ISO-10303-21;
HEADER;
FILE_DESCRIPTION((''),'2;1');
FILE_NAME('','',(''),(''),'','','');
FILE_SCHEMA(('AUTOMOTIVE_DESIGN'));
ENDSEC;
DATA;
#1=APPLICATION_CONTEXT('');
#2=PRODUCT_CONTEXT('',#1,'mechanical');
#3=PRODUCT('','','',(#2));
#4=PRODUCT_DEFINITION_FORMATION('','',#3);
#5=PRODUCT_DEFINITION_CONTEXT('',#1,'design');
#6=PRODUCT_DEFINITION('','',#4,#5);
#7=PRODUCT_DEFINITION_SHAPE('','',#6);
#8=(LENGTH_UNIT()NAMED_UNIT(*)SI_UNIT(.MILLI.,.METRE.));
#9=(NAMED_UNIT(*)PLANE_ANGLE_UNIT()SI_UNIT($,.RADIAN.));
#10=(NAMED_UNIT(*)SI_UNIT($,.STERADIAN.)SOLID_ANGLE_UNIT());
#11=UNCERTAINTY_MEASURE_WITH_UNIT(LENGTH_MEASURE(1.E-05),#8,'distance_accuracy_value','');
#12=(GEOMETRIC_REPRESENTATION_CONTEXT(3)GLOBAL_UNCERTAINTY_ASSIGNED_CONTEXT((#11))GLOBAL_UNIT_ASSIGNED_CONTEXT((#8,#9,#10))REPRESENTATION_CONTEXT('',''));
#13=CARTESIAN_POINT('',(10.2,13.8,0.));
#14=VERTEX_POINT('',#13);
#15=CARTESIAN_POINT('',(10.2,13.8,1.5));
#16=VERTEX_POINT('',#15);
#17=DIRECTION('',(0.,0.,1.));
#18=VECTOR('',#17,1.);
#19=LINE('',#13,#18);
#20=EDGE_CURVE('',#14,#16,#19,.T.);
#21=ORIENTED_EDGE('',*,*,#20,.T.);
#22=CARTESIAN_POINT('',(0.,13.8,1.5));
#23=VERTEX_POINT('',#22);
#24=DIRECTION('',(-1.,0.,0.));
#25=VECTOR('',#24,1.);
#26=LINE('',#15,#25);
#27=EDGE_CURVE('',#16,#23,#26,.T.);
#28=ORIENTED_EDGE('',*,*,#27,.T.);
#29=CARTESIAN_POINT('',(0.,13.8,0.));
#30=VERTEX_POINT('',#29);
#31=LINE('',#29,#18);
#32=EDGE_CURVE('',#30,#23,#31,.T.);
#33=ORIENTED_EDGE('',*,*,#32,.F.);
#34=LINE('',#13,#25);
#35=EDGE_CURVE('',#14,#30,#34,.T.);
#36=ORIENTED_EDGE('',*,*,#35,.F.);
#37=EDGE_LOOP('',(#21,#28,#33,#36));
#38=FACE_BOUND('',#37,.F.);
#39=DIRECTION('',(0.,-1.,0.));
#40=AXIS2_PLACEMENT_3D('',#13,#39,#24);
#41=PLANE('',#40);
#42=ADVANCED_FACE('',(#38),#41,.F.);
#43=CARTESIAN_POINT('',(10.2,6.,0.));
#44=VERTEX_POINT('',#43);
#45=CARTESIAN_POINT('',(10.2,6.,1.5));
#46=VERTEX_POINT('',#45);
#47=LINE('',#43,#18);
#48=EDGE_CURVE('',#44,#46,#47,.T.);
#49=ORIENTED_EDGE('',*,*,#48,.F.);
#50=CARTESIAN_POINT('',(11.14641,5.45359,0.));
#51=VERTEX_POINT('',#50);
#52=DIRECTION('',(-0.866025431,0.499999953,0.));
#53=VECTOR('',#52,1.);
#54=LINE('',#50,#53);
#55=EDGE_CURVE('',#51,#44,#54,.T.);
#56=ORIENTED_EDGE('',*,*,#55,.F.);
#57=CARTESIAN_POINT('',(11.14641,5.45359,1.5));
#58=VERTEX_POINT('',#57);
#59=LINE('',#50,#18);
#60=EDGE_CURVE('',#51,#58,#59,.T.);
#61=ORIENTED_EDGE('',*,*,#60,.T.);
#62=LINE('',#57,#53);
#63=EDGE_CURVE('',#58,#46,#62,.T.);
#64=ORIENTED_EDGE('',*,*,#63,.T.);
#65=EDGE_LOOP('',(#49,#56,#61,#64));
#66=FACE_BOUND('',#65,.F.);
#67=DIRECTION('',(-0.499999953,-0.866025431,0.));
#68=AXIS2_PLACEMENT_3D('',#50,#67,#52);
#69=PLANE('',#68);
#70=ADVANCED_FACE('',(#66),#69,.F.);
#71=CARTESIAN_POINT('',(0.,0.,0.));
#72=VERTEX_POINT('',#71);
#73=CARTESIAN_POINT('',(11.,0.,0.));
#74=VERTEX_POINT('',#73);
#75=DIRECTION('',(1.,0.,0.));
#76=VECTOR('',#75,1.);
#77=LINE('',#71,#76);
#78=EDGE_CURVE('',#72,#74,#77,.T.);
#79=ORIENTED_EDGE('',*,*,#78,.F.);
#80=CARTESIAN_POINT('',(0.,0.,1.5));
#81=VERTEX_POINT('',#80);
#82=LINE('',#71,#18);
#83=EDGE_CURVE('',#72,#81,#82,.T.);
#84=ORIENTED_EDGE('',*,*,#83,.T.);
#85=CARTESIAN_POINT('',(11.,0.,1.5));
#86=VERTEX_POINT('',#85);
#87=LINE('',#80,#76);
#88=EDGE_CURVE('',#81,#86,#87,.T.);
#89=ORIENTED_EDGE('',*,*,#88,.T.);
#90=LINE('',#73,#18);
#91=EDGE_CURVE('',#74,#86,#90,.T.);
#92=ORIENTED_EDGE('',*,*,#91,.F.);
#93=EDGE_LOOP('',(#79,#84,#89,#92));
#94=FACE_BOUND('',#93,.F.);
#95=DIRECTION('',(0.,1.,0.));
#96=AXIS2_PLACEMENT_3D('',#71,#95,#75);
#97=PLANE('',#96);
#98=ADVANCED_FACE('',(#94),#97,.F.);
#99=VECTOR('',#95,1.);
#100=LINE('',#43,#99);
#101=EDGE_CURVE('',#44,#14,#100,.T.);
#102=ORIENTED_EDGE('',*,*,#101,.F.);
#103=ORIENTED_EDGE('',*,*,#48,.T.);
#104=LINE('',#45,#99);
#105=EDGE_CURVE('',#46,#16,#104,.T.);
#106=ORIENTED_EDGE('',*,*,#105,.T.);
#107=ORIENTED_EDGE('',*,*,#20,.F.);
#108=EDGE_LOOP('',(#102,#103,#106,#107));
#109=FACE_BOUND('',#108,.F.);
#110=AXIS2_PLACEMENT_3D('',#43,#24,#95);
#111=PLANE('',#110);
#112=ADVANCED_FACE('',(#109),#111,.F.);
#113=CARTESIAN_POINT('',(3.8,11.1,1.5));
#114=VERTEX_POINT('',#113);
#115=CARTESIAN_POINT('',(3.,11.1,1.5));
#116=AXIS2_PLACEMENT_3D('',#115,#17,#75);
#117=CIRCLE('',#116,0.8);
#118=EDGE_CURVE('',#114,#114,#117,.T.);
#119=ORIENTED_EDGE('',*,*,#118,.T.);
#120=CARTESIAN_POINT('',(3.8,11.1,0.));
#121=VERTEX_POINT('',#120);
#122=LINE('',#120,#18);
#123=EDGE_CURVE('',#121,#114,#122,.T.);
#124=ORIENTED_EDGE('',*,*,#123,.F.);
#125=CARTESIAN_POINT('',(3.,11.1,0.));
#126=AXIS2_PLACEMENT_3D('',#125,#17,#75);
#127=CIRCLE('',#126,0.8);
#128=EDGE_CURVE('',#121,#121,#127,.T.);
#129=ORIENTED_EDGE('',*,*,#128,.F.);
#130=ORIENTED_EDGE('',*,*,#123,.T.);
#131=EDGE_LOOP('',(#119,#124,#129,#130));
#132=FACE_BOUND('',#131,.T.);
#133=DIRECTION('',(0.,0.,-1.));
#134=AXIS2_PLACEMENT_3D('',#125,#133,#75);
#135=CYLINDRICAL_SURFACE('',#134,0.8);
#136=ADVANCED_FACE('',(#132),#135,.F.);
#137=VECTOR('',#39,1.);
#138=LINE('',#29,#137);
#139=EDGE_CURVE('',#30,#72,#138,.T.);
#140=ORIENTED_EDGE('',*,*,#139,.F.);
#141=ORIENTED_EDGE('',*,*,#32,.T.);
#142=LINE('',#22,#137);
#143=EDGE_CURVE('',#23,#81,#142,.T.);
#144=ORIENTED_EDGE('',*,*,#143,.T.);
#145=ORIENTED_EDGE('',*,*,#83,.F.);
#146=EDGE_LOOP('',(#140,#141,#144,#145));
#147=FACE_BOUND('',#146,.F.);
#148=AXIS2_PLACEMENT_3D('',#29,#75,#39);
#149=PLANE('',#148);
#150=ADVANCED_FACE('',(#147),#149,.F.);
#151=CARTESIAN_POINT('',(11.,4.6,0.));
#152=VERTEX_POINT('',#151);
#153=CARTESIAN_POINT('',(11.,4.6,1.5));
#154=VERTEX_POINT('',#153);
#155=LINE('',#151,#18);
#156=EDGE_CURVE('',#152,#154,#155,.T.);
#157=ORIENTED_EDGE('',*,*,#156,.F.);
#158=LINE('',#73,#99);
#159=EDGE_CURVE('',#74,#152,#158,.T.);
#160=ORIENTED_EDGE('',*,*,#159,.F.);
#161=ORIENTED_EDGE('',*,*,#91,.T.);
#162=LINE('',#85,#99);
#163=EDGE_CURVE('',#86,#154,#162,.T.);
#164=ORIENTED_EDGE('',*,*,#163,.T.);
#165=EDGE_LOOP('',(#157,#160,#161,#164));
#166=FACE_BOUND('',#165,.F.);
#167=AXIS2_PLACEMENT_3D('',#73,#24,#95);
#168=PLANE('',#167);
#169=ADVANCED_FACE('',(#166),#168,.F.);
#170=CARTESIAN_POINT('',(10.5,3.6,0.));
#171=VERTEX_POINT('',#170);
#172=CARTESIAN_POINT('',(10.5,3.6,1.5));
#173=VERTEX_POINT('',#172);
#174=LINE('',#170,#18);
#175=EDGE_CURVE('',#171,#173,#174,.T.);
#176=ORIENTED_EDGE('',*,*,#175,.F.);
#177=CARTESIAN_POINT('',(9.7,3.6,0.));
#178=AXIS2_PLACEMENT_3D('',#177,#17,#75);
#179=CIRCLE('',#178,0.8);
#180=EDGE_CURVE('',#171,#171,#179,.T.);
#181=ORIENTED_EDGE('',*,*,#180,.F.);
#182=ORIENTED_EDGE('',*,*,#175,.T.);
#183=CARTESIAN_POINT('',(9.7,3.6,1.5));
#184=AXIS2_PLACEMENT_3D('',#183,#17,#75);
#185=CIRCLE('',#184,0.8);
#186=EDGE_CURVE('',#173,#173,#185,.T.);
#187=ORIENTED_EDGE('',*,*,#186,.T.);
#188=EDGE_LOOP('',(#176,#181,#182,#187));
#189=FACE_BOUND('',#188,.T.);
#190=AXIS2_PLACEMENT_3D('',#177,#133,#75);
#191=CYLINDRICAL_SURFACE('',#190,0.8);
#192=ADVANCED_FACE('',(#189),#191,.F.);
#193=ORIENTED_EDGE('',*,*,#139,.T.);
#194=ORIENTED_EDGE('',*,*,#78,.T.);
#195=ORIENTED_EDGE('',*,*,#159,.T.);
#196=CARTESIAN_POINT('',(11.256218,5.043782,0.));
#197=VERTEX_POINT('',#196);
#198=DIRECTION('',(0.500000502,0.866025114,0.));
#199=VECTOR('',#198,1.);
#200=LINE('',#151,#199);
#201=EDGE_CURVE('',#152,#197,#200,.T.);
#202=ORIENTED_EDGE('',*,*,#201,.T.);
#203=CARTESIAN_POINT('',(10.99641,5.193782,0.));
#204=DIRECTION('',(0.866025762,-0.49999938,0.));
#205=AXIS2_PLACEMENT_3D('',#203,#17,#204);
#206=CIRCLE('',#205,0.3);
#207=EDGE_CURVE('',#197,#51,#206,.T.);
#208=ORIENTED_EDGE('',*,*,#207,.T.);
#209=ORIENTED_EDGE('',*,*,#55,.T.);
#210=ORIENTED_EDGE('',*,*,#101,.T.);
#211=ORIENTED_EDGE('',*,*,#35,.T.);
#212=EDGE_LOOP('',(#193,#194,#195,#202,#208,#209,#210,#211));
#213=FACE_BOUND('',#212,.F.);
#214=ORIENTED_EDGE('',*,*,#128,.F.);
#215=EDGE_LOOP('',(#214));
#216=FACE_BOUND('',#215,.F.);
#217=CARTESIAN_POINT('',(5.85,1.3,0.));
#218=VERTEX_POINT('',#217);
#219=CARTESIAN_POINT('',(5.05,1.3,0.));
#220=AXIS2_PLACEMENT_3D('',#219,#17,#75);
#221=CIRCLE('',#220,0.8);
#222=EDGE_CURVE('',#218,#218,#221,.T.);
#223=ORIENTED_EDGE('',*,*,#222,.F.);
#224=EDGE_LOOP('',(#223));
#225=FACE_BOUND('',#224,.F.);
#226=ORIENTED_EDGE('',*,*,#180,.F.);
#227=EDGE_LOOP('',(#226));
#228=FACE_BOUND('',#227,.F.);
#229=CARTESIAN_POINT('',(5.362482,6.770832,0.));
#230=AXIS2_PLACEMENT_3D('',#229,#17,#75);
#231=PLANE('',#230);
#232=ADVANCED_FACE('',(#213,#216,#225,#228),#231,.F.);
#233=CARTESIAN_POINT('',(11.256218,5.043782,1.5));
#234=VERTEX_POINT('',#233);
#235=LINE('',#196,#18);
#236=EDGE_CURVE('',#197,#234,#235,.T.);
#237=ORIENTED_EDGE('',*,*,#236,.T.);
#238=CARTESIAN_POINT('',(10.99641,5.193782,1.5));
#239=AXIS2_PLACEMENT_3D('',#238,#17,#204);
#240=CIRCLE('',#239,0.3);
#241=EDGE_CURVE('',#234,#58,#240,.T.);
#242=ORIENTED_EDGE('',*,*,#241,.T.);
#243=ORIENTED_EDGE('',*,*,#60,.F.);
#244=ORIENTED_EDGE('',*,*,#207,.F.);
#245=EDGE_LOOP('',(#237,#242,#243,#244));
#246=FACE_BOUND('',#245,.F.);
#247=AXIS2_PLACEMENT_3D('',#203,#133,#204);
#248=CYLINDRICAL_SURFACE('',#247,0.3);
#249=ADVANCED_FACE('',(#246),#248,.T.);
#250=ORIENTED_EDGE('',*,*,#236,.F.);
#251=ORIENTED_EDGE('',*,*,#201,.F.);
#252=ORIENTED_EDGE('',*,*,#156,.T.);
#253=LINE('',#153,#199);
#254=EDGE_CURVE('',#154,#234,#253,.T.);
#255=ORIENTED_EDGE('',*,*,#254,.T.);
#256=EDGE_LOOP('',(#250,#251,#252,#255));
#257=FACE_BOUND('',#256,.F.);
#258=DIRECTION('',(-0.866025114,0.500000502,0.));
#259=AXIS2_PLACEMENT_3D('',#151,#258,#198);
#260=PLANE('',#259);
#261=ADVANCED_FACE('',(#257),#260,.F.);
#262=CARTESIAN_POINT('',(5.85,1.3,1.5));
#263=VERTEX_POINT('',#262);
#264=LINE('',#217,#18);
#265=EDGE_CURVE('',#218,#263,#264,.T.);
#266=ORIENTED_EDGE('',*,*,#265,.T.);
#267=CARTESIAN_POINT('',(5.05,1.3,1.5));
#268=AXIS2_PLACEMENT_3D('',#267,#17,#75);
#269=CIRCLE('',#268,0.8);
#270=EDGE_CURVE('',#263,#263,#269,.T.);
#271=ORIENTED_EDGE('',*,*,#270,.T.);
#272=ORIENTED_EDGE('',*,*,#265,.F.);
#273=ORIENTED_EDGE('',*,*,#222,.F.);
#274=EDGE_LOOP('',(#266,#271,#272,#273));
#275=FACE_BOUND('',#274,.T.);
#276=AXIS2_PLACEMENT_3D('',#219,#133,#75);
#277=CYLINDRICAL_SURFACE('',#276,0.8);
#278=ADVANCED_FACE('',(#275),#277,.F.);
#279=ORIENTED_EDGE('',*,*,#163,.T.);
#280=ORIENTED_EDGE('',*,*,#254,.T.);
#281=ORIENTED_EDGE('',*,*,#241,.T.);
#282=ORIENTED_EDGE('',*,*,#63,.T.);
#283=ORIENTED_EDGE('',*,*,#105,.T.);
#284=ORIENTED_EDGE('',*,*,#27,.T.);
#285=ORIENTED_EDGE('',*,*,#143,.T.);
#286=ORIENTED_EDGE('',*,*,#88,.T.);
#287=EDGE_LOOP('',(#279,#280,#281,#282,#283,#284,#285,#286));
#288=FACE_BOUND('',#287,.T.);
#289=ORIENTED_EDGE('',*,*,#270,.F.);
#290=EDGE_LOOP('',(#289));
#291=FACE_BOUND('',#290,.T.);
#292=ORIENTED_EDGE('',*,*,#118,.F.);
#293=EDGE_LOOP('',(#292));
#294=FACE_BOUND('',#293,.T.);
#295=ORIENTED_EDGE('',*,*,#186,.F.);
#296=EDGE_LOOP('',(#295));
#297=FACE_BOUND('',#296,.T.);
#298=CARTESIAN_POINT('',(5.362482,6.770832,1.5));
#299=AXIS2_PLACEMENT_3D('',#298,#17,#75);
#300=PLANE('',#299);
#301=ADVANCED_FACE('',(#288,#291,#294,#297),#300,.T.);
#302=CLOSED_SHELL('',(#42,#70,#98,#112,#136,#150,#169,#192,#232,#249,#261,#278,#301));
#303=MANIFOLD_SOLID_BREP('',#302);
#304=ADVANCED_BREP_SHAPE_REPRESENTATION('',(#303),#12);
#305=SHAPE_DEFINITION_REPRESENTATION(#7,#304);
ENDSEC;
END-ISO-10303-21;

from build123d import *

# Parameters (mm, degrees)
SKETCH_R  = 0.8
PAD_DEPTH = 1.5


with BuildPart() as part:
    # Sketch → Pad (new body)
    with BuildSketch(Plane.XY):
        with BuildLine():
            Line((0, 0), (11, 0))
            Line((11, 0), (11, 4.6))
            Line((11, 4.6), (11.256218, 5.043782))
            ThreePointArc((11.256218, 5.043782), (11.286188, 5.271428), (11.14641, 5.45359))
            Line((11.14641, 5.45359), (10.2, 6))
            Line((10.2, 6), (10.2, 13.8))
            Line((10.2, 13.8), (0, 13.8))
            Line((0, 13.8), (0, 0))
        make_face()
        with Locations((5.05, 1.3)):
            Circle(SKETCH_R, mode=Mode.SUBTRACT)
        with Locations((9.7, 3.6)):
            Circle(SKETCH_R, mode=Mode.SUBTRACT)
        with Locations((3, 11.1)):
            Circle(SKETCH_R, mode=Mode.SUBTRACT)
    extrude(amount=PAD_DEPTH)


solid = part.part
